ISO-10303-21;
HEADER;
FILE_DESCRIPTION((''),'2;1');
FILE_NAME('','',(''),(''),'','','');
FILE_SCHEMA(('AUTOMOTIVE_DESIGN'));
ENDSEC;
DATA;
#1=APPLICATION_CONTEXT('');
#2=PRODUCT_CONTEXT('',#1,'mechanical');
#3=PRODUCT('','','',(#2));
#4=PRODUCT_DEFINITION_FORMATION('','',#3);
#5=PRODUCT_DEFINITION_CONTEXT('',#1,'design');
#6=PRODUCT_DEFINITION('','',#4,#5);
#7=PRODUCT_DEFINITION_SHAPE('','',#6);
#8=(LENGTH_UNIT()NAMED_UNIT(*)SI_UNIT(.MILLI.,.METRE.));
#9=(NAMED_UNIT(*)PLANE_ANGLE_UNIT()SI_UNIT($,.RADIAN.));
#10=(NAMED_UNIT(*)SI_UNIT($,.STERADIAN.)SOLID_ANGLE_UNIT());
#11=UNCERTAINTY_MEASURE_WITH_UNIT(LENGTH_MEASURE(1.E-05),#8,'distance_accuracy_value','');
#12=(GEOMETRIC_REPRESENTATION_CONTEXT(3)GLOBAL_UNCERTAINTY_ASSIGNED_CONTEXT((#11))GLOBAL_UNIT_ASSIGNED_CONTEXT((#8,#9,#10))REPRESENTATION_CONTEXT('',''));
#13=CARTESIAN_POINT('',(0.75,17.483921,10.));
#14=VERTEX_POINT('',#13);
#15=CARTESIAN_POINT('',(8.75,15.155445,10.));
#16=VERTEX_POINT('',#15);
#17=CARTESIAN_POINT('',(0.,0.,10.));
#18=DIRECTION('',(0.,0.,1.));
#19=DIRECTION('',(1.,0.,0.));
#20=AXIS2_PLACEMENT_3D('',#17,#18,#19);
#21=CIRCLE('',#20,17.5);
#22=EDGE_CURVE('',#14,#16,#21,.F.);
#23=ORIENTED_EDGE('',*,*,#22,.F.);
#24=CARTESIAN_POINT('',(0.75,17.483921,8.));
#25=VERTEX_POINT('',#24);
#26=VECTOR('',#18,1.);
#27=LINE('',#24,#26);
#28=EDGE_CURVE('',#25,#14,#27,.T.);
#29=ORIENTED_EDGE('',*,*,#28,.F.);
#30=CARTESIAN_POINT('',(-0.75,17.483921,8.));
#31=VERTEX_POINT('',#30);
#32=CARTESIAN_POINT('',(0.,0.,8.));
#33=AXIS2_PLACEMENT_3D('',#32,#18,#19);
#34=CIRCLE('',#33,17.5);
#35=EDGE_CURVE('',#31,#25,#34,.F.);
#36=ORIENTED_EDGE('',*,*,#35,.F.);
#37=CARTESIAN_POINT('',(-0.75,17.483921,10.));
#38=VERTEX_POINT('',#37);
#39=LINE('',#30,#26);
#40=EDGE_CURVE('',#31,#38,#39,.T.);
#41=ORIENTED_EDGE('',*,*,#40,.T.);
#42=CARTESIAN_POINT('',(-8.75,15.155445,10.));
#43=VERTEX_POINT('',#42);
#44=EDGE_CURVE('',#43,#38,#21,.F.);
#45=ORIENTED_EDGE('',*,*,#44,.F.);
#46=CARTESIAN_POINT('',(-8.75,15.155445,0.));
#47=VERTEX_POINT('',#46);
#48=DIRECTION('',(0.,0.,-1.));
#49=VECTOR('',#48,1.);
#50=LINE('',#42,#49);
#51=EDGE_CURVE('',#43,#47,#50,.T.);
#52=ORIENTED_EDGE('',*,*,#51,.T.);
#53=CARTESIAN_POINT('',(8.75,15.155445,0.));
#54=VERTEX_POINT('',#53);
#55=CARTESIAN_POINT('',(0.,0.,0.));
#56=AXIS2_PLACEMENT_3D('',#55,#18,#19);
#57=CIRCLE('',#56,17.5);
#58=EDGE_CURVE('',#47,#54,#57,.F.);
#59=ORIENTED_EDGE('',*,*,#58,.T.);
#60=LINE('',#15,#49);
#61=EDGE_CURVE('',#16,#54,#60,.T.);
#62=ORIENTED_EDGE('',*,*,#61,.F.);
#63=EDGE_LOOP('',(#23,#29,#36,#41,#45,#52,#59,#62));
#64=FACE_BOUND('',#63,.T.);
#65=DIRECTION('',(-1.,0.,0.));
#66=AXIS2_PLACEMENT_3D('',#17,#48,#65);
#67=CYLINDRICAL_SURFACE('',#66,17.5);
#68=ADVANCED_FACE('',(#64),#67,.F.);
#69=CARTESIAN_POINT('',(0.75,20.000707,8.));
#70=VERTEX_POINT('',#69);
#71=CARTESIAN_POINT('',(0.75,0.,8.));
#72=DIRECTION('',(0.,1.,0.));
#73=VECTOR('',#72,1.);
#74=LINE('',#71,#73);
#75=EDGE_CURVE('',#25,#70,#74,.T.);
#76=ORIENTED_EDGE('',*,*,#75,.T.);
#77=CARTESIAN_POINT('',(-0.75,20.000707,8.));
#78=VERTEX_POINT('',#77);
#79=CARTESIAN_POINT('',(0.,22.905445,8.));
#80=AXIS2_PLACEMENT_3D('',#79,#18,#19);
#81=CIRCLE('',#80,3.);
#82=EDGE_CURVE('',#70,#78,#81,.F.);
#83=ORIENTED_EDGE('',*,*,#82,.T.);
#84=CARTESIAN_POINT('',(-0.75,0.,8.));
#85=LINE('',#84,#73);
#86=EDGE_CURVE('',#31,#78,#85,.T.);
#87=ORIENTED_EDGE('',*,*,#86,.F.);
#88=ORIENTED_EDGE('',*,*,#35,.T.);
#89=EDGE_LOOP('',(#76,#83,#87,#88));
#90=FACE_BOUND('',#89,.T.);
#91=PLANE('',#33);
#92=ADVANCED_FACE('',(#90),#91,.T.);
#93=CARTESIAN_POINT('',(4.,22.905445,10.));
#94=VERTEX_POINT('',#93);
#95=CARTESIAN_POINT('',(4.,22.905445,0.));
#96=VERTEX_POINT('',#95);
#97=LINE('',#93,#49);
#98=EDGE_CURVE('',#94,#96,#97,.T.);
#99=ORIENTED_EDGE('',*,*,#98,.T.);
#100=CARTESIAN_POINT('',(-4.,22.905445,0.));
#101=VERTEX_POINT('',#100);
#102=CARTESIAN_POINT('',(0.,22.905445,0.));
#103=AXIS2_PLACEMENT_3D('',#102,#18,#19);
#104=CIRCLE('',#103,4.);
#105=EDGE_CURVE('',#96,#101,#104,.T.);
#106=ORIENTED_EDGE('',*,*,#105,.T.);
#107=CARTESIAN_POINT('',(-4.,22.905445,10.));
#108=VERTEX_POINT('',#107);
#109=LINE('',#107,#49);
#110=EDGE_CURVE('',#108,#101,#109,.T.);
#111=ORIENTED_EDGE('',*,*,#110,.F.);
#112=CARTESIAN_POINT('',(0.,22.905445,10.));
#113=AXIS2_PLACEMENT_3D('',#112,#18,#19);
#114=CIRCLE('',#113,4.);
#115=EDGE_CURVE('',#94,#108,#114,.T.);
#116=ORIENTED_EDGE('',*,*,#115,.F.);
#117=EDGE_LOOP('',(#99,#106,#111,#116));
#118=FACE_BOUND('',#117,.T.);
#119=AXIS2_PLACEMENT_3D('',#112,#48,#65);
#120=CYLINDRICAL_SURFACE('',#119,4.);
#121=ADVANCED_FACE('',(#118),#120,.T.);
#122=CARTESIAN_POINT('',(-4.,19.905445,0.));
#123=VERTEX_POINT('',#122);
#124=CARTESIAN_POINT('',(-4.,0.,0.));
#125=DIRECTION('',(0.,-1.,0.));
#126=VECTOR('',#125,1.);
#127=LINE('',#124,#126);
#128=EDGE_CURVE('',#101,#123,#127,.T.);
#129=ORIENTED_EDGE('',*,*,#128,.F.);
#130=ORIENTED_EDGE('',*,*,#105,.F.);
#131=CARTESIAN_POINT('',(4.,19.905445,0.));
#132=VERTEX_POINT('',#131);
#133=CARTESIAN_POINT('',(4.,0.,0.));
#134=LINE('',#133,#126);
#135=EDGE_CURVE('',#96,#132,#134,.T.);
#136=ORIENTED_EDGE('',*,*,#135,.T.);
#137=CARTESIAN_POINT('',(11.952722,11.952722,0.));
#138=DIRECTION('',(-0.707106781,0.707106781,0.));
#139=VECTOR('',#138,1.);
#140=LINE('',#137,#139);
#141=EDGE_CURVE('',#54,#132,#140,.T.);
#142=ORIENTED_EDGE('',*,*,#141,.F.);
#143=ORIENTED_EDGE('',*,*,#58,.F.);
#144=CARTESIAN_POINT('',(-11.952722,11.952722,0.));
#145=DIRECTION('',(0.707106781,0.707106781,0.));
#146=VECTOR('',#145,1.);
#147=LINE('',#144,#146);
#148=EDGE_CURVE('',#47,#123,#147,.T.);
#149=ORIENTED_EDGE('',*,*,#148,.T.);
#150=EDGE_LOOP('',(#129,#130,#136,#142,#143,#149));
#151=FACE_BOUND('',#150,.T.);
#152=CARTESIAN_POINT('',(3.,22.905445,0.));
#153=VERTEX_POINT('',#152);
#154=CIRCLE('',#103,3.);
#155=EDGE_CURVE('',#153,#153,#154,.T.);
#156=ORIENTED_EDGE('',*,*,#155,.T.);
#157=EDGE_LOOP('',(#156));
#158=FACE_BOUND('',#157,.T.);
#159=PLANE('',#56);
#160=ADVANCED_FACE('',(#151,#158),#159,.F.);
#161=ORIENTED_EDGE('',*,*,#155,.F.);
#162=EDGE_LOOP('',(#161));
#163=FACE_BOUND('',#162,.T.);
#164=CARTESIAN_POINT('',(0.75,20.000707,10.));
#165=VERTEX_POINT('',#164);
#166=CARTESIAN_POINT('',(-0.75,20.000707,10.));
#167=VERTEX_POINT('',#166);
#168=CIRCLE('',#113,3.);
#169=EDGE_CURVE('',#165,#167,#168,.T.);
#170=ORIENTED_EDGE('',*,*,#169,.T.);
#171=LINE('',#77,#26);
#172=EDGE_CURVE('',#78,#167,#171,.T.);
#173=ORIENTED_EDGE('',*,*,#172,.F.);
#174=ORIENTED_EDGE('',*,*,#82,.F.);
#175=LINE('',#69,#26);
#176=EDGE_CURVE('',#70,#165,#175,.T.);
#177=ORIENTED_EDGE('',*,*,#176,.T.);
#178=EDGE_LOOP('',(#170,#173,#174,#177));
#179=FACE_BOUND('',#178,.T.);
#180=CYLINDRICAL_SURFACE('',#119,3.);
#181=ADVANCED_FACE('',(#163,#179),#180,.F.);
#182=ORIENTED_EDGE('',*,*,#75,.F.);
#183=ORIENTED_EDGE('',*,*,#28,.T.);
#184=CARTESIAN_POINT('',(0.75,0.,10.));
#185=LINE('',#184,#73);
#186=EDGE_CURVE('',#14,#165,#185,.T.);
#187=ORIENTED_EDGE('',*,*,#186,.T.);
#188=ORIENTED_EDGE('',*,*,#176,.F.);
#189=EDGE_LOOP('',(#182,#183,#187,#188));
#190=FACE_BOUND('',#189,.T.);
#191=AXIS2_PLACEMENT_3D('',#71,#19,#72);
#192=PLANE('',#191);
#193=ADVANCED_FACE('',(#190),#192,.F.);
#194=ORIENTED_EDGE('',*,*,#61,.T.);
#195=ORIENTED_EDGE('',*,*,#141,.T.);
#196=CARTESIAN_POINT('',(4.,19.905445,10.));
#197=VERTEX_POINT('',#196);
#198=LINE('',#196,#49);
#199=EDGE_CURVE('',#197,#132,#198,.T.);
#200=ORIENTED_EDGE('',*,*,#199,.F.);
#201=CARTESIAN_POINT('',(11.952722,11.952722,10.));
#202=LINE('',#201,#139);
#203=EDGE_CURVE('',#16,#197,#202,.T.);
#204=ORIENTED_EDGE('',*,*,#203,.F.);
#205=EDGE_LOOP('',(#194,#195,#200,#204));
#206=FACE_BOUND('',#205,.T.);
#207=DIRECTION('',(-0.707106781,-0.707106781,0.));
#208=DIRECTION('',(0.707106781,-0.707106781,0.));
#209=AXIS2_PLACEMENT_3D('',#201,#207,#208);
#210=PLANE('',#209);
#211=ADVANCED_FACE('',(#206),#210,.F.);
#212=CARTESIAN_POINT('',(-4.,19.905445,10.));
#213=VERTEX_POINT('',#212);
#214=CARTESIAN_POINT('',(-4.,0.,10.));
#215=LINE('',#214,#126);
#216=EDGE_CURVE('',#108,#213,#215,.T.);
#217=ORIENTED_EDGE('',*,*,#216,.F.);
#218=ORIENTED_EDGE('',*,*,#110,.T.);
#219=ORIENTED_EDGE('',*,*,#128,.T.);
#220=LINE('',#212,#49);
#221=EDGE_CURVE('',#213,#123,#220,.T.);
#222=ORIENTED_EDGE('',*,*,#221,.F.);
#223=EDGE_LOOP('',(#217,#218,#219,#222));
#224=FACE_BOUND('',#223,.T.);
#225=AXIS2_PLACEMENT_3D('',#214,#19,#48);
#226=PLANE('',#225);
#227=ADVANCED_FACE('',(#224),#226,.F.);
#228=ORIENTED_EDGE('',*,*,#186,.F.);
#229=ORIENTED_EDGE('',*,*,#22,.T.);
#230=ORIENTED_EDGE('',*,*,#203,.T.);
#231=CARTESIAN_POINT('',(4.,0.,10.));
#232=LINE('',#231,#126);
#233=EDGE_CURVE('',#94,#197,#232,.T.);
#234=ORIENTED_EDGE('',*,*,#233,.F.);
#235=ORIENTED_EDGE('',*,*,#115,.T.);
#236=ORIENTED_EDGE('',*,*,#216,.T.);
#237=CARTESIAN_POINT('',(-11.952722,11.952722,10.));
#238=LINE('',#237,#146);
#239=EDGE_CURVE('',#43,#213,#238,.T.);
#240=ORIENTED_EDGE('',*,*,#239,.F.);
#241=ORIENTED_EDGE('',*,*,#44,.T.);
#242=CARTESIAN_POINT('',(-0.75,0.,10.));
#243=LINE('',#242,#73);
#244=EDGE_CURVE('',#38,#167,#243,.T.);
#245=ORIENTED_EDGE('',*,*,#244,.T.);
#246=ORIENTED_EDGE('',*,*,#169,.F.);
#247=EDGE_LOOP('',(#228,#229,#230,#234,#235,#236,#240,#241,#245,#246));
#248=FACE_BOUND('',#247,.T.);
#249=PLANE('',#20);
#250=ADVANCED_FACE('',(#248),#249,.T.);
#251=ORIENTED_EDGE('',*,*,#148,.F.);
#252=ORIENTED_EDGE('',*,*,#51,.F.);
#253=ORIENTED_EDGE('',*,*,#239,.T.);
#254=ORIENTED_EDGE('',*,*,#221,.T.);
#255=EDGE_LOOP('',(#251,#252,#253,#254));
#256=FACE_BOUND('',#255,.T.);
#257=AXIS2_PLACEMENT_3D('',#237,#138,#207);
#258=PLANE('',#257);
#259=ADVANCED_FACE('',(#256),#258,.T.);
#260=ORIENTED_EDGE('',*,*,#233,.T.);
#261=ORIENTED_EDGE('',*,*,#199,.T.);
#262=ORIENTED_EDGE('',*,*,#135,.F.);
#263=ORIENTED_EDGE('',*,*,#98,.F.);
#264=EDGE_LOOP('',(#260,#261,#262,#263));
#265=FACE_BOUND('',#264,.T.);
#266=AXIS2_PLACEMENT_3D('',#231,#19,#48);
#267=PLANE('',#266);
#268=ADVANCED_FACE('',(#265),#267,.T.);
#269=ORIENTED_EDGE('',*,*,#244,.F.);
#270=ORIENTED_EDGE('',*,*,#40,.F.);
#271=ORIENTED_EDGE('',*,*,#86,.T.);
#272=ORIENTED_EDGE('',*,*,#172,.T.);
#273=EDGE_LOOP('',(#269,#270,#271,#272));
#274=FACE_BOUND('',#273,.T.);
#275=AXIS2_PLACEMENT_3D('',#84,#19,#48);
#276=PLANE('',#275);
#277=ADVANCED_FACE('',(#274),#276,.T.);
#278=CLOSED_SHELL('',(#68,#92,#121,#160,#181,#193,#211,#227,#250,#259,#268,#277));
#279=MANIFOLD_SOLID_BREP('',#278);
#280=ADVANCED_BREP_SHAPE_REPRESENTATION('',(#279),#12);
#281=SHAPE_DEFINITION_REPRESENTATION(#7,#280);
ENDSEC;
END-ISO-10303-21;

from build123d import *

# Parameters (mm, degrees)
SKETCH1_R           = 3
BOSS_EXTRUDE1_DEPTH = 10
CUT_EXTRUDE1_START  = -2
CUT_EXTRUDE1_DEPTH  = 2


with BuildPart() as part:
    # Sketch1 → Boss-Extrude1 (new body)
    with BuildSketch(Plane.XY):
        with BuildLine():
            Line((-8.75, 15.155444566), (-4, 19.905444566))
            Line((-4, 19.905444566), (-4, 22.905444566))
            ThreePointArc((-4, 22.905444566), (0, 26.905444566), (4, 22.905444566))
            Line((4, 22.905444566), (4, 19.905444566))
            Line((4, 19.905444566), (8.75, 15.155444566))
            ThreePointArc((8.75, 15.155444566), (0, 17.5), (-8.75, 15.155444566))
        make_face()
        with Locations((0, 22.905444566)):
            Circle(SKETCH1_R, mode=Mode.SUBTRACT)
    extrude(amount=BOSS_EXTRUDE1_DEPTH)

    # Sketch3 → Cut-Extrude1 (cut)
    with BuildSketch(Plane.XY.offset(10).offset(CUT_EXTRUDE1_START)):
        with BuildLine():
            ThreePointArc((0.75, 20.000707057), (0.378012877, 19.929355477), (0, 19.905444566))
            Line((0, 19.905444566), (0, 18.799598559))
            Line((0, 18.799598559), (0.75, 18.799598559))
            Line((0.75, 18.799598559), (0.75, 20.000707057))
        make_face()
        with BuildLine():
            Line((0, 18.799598559), (0, 19.905444566))
            ThreePointArc((0, 19.905444566), (-0.378012877, 19.929355477), (-0.75, 20.000707057))
            Line((-0.75, 20.000707057), (-0.75, 18.799598559))
            Line((-0.75, 18.799598559), (0, 18.799598559))
        make_face()
        with BuildLine():
            Line((0.75, 18.799598559), (0, 18.799598559))
            Line((0, 18.799598559), (0, 17.5))
            ThreePointArc((0, 17.5), (0.375086166, 17.495979834), (0.75, 17.483921185))
            Line((0.75, 17.483921185), (0.75, 18.799598559))
        make_face()
        with BuildLine():
            Line((0, 17.5), (0, 18.799598559))
            Line((0, 18.799598559), (-0.75, 18.799598559))
            Line((-0.75, 18.799598559), (-0.75, 17.483921185))
            ThreePointArc((-0.75, 17.483921185), (-0.375086166, 17.495979834), (0, 17.5))
        make_face()
    extrude(amount=CUT_EXTRUDE1_DEPTH, mode=Mode.SUBTRACT)


solid = part.part
